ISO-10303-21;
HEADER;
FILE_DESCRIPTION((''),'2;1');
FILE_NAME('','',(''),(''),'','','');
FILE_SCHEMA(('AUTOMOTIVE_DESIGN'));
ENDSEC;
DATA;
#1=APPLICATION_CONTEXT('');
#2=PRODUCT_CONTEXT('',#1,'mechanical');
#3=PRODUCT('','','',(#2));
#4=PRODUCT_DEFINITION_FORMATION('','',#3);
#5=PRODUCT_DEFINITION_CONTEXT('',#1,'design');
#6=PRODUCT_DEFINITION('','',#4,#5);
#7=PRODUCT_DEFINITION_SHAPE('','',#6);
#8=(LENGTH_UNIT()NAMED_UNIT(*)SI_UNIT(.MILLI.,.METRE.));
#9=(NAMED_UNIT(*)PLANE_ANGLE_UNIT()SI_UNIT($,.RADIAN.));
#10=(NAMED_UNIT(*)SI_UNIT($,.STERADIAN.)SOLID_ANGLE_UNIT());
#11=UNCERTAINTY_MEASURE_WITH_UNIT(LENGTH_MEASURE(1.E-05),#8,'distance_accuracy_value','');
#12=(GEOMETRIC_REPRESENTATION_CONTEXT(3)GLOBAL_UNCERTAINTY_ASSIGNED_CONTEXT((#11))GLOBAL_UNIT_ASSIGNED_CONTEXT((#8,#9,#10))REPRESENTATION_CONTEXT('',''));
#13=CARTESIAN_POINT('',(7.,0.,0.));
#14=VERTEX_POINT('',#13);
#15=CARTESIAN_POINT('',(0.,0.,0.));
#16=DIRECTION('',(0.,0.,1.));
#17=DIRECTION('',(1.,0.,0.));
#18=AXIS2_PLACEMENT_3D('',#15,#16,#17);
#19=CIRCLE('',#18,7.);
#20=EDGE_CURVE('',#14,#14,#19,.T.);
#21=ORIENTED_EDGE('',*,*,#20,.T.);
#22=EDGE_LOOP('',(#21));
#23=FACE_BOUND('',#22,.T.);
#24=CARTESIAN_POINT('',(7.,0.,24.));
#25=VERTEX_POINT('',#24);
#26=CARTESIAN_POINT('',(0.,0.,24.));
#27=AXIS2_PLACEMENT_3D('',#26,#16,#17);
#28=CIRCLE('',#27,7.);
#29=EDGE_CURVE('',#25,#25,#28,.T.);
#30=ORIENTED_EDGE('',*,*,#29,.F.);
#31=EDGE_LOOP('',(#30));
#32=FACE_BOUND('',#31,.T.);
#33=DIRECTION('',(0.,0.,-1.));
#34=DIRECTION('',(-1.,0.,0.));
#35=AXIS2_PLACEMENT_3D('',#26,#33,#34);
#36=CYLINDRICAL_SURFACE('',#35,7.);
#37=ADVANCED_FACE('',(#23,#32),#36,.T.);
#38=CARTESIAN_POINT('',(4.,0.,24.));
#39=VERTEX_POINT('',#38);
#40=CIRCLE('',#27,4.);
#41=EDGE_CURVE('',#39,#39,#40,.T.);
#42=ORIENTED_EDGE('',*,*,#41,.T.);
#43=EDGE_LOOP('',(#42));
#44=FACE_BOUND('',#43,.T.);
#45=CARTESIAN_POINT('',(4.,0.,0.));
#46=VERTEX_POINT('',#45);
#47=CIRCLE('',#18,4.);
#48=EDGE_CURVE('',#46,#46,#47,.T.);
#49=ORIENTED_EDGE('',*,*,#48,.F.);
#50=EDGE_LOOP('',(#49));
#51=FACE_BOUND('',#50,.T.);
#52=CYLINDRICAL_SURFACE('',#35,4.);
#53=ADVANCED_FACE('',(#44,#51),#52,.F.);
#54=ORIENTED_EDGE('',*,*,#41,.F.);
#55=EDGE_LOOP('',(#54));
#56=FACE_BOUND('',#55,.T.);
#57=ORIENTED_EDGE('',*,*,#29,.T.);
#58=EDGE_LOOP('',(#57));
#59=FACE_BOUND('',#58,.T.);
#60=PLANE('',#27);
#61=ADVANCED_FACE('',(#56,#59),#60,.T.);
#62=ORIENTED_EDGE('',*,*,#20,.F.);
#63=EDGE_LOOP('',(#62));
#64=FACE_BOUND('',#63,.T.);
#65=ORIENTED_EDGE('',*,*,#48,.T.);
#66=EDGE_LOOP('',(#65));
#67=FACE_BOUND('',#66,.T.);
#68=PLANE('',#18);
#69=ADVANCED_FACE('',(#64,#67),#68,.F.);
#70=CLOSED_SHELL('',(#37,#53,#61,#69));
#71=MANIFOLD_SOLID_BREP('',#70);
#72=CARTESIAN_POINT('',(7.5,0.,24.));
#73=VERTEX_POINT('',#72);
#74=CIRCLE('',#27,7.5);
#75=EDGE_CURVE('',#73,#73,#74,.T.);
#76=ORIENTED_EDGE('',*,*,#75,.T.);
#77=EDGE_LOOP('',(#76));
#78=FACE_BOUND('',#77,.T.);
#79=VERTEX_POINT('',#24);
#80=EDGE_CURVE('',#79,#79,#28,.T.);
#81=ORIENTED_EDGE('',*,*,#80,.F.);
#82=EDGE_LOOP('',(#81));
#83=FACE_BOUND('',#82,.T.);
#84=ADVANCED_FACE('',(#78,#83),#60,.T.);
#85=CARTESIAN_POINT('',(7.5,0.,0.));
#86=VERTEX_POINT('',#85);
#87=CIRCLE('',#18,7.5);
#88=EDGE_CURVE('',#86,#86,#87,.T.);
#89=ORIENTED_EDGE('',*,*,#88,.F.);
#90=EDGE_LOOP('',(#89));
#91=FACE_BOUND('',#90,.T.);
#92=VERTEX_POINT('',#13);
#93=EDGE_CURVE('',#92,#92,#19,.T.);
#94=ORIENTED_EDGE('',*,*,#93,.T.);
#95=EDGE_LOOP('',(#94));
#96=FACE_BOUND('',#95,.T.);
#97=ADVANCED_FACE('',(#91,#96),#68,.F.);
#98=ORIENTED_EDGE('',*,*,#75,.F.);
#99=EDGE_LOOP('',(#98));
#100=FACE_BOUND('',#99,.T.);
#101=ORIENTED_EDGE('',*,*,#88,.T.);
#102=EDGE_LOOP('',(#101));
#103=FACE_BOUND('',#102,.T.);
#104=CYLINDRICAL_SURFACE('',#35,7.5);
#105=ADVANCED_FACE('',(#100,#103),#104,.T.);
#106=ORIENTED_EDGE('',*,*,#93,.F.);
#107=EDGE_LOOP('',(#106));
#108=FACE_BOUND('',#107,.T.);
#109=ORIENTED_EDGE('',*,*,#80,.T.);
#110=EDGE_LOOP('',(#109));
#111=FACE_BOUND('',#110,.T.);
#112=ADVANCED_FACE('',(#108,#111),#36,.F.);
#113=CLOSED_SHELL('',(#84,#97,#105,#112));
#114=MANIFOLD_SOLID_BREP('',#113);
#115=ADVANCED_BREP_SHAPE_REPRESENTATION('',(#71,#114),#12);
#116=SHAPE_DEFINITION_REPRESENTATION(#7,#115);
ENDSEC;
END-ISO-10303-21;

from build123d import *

# Parameters (mm, degrees)
SKETCH1_R           = 7
SKETCH1_R_2         = 4
BOSS_EXTRUDE1_DEPTH = 24
SKETCH1_3_R         = 7.5
SKETCH1_3_R_2       = 7
BOSS_EXTRUDE2_DEPTH = 24


with BuildPart() as part:
    # Sketch1 → Boss-Extrude1 (new body)
    with BuildSketch(Plane.XY):
        Circle(SKETCH1_R)
        Circle(SKETCH1_R_2, mode=Mode.SUBTRACT)
    extrude(amount=BOSS_EXTRUDE1_DEPTH)


with BuildPart() as body_2:
    # Sketch1<3> → Boss-Extrude2 (new body)
    with BuildSketch(Plane.XY):
        Circle(SKETCH1_3_R)
        Circle(SKETCH1_3_R_2, mode=Mode.SUBTRACT)
    extrude(amount=BOSS_EXTRUDE2_DEPTH)


solid = Compound([part.part, body_2.part])
